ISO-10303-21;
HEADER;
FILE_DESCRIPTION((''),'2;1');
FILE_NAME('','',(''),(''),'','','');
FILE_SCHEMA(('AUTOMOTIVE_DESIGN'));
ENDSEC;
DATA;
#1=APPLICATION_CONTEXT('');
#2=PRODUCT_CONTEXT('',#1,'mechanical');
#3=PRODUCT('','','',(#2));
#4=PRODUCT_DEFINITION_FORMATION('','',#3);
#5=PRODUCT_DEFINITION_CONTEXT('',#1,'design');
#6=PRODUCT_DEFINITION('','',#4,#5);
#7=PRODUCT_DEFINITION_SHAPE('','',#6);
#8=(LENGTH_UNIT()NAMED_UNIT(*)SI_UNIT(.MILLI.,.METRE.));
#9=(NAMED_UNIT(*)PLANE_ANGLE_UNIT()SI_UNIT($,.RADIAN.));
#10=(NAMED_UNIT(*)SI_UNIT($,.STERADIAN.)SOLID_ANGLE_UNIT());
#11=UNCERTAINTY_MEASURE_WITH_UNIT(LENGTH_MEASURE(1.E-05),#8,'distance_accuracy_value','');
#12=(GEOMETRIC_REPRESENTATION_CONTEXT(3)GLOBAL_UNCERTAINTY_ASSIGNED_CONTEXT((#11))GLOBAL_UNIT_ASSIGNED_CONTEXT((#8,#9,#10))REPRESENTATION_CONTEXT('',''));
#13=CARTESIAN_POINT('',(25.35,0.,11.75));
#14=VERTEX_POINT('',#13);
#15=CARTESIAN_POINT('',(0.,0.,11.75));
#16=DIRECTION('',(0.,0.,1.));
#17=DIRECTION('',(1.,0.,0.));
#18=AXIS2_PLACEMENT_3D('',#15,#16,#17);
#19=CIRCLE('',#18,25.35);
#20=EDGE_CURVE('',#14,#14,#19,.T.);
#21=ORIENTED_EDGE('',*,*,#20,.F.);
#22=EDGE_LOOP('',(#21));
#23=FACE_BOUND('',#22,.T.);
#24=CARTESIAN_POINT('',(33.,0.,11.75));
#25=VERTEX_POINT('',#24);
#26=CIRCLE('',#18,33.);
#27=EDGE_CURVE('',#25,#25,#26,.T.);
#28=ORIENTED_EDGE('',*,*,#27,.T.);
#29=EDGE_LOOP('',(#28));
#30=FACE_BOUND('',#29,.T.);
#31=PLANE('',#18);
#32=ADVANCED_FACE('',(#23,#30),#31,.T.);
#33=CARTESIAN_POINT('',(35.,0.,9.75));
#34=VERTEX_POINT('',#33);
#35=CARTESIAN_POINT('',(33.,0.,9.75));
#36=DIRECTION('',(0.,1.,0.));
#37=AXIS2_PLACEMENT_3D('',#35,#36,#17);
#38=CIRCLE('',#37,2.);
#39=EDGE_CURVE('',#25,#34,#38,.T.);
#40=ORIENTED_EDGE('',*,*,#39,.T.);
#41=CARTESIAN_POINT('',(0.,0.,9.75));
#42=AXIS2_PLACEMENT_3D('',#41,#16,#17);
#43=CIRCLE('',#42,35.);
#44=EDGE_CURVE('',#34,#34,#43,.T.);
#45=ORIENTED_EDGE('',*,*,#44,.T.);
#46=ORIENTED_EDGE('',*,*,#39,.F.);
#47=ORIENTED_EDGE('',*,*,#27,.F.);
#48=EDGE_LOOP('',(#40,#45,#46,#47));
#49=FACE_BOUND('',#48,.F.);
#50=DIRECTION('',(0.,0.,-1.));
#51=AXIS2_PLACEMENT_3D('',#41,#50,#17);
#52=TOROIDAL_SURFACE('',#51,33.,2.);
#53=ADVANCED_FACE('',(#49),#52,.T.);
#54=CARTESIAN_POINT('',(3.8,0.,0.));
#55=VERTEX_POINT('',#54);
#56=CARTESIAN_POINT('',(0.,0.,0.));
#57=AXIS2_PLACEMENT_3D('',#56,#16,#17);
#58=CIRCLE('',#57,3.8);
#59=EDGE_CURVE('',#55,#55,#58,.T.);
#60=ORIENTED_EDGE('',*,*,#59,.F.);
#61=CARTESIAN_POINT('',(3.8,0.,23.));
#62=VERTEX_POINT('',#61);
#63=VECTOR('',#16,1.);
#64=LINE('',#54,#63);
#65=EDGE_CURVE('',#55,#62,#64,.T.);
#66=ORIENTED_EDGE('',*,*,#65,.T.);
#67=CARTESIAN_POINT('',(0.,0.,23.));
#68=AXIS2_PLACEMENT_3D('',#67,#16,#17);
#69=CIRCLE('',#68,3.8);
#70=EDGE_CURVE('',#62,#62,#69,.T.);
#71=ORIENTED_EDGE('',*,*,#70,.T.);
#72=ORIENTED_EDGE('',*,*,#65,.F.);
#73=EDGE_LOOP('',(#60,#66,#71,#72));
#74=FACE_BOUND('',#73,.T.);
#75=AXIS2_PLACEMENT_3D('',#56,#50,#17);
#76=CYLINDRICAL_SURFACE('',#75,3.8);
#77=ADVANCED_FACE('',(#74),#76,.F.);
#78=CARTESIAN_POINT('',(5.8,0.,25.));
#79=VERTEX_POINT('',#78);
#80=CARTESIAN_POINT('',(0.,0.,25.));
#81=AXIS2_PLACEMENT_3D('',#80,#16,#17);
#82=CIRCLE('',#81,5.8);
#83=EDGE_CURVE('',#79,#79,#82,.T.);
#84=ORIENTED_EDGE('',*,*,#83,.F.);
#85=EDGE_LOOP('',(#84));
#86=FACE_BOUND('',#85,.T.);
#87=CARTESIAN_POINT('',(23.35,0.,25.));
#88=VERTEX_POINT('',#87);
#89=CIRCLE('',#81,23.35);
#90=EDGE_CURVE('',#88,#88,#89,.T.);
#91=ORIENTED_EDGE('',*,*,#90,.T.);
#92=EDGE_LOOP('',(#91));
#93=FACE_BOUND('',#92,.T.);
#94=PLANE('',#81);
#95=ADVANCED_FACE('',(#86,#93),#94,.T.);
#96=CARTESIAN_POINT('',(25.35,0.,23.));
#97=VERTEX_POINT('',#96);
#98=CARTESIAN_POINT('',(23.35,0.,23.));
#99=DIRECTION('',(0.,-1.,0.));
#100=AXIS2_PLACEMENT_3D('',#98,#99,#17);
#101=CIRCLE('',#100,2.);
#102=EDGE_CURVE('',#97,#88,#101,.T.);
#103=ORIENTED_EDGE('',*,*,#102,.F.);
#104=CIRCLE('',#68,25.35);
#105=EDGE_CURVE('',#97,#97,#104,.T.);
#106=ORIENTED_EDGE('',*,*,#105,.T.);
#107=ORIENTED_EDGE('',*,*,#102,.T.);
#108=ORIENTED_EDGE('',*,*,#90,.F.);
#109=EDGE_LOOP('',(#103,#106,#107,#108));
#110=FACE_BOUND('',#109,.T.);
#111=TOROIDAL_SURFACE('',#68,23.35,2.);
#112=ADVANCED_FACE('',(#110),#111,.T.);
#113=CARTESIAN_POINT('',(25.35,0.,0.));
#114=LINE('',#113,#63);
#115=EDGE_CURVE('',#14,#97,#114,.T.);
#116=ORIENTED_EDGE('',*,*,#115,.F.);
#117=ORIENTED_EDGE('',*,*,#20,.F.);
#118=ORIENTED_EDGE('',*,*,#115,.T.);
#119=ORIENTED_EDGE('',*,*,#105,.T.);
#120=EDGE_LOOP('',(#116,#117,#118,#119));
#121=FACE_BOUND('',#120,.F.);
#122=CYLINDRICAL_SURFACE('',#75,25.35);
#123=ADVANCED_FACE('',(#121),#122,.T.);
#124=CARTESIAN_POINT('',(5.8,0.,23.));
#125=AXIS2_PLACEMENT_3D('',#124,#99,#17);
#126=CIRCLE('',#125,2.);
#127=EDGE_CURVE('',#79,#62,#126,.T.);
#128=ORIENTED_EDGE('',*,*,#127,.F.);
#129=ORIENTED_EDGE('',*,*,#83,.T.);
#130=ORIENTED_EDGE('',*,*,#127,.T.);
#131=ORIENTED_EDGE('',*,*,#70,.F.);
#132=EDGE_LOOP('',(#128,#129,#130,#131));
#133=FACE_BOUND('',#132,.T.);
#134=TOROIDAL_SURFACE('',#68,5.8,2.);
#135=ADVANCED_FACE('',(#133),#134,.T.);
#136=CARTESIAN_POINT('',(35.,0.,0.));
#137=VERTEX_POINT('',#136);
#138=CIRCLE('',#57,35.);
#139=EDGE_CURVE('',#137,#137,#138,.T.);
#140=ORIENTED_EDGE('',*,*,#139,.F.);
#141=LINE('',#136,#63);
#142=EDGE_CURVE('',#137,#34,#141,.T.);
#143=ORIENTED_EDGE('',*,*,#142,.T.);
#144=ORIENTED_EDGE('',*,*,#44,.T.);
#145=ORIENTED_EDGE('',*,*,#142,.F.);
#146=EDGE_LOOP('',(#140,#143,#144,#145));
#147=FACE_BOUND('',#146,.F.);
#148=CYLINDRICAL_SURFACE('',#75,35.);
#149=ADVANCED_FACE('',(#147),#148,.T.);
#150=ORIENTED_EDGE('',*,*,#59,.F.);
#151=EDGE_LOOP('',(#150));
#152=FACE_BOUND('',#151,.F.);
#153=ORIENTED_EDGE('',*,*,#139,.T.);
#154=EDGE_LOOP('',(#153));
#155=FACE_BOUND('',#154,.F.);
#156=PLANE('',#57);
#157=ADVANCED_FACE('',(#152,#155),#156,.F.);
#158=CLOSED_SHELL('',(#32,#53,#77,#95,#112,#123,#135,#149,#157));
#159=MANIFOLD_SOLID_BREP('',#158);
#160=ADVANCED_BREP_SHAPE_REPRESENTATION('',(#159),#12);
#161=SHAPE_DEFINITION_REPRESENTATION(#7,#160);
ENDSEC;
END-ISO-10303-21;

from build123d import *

# Parameters (mm, degrees)
F0_R     = 35
F0_R_2   = 25.35
F1_DEPTH = 11.75
F0_R_3   = 3.8
F2_DEPTH = 25
F3_R     = 2


with BuildPart() as f1:
    # F0 (on Top) → F1 (new body)
    with BuildSketch(Plane.XY):
        Circle(F0_R)
        Circle(F0_R_2, mode=Mode.SUBTRACT)
    extrude(amount=F1_DEPTH)

    # F0 (on Top) → F2 (join)
    with BuildSketch(Plane.XY):
        Circle(F0_R_2)
        Circle(F0_R_3, mode=Mode.SUBTRACT)
    extrude(amount=F2_DEPTH)

    # F3
    f3_edges = [f1.edges().sort_by_distance(p)[0] for p in [
        (-35, 0, 11.75),
        (-25.35, 0, 25),
        (-3.8, 0, 25),
    ]]
    fillet(f3_edges, radius=F3_R)


solid = f1.part
